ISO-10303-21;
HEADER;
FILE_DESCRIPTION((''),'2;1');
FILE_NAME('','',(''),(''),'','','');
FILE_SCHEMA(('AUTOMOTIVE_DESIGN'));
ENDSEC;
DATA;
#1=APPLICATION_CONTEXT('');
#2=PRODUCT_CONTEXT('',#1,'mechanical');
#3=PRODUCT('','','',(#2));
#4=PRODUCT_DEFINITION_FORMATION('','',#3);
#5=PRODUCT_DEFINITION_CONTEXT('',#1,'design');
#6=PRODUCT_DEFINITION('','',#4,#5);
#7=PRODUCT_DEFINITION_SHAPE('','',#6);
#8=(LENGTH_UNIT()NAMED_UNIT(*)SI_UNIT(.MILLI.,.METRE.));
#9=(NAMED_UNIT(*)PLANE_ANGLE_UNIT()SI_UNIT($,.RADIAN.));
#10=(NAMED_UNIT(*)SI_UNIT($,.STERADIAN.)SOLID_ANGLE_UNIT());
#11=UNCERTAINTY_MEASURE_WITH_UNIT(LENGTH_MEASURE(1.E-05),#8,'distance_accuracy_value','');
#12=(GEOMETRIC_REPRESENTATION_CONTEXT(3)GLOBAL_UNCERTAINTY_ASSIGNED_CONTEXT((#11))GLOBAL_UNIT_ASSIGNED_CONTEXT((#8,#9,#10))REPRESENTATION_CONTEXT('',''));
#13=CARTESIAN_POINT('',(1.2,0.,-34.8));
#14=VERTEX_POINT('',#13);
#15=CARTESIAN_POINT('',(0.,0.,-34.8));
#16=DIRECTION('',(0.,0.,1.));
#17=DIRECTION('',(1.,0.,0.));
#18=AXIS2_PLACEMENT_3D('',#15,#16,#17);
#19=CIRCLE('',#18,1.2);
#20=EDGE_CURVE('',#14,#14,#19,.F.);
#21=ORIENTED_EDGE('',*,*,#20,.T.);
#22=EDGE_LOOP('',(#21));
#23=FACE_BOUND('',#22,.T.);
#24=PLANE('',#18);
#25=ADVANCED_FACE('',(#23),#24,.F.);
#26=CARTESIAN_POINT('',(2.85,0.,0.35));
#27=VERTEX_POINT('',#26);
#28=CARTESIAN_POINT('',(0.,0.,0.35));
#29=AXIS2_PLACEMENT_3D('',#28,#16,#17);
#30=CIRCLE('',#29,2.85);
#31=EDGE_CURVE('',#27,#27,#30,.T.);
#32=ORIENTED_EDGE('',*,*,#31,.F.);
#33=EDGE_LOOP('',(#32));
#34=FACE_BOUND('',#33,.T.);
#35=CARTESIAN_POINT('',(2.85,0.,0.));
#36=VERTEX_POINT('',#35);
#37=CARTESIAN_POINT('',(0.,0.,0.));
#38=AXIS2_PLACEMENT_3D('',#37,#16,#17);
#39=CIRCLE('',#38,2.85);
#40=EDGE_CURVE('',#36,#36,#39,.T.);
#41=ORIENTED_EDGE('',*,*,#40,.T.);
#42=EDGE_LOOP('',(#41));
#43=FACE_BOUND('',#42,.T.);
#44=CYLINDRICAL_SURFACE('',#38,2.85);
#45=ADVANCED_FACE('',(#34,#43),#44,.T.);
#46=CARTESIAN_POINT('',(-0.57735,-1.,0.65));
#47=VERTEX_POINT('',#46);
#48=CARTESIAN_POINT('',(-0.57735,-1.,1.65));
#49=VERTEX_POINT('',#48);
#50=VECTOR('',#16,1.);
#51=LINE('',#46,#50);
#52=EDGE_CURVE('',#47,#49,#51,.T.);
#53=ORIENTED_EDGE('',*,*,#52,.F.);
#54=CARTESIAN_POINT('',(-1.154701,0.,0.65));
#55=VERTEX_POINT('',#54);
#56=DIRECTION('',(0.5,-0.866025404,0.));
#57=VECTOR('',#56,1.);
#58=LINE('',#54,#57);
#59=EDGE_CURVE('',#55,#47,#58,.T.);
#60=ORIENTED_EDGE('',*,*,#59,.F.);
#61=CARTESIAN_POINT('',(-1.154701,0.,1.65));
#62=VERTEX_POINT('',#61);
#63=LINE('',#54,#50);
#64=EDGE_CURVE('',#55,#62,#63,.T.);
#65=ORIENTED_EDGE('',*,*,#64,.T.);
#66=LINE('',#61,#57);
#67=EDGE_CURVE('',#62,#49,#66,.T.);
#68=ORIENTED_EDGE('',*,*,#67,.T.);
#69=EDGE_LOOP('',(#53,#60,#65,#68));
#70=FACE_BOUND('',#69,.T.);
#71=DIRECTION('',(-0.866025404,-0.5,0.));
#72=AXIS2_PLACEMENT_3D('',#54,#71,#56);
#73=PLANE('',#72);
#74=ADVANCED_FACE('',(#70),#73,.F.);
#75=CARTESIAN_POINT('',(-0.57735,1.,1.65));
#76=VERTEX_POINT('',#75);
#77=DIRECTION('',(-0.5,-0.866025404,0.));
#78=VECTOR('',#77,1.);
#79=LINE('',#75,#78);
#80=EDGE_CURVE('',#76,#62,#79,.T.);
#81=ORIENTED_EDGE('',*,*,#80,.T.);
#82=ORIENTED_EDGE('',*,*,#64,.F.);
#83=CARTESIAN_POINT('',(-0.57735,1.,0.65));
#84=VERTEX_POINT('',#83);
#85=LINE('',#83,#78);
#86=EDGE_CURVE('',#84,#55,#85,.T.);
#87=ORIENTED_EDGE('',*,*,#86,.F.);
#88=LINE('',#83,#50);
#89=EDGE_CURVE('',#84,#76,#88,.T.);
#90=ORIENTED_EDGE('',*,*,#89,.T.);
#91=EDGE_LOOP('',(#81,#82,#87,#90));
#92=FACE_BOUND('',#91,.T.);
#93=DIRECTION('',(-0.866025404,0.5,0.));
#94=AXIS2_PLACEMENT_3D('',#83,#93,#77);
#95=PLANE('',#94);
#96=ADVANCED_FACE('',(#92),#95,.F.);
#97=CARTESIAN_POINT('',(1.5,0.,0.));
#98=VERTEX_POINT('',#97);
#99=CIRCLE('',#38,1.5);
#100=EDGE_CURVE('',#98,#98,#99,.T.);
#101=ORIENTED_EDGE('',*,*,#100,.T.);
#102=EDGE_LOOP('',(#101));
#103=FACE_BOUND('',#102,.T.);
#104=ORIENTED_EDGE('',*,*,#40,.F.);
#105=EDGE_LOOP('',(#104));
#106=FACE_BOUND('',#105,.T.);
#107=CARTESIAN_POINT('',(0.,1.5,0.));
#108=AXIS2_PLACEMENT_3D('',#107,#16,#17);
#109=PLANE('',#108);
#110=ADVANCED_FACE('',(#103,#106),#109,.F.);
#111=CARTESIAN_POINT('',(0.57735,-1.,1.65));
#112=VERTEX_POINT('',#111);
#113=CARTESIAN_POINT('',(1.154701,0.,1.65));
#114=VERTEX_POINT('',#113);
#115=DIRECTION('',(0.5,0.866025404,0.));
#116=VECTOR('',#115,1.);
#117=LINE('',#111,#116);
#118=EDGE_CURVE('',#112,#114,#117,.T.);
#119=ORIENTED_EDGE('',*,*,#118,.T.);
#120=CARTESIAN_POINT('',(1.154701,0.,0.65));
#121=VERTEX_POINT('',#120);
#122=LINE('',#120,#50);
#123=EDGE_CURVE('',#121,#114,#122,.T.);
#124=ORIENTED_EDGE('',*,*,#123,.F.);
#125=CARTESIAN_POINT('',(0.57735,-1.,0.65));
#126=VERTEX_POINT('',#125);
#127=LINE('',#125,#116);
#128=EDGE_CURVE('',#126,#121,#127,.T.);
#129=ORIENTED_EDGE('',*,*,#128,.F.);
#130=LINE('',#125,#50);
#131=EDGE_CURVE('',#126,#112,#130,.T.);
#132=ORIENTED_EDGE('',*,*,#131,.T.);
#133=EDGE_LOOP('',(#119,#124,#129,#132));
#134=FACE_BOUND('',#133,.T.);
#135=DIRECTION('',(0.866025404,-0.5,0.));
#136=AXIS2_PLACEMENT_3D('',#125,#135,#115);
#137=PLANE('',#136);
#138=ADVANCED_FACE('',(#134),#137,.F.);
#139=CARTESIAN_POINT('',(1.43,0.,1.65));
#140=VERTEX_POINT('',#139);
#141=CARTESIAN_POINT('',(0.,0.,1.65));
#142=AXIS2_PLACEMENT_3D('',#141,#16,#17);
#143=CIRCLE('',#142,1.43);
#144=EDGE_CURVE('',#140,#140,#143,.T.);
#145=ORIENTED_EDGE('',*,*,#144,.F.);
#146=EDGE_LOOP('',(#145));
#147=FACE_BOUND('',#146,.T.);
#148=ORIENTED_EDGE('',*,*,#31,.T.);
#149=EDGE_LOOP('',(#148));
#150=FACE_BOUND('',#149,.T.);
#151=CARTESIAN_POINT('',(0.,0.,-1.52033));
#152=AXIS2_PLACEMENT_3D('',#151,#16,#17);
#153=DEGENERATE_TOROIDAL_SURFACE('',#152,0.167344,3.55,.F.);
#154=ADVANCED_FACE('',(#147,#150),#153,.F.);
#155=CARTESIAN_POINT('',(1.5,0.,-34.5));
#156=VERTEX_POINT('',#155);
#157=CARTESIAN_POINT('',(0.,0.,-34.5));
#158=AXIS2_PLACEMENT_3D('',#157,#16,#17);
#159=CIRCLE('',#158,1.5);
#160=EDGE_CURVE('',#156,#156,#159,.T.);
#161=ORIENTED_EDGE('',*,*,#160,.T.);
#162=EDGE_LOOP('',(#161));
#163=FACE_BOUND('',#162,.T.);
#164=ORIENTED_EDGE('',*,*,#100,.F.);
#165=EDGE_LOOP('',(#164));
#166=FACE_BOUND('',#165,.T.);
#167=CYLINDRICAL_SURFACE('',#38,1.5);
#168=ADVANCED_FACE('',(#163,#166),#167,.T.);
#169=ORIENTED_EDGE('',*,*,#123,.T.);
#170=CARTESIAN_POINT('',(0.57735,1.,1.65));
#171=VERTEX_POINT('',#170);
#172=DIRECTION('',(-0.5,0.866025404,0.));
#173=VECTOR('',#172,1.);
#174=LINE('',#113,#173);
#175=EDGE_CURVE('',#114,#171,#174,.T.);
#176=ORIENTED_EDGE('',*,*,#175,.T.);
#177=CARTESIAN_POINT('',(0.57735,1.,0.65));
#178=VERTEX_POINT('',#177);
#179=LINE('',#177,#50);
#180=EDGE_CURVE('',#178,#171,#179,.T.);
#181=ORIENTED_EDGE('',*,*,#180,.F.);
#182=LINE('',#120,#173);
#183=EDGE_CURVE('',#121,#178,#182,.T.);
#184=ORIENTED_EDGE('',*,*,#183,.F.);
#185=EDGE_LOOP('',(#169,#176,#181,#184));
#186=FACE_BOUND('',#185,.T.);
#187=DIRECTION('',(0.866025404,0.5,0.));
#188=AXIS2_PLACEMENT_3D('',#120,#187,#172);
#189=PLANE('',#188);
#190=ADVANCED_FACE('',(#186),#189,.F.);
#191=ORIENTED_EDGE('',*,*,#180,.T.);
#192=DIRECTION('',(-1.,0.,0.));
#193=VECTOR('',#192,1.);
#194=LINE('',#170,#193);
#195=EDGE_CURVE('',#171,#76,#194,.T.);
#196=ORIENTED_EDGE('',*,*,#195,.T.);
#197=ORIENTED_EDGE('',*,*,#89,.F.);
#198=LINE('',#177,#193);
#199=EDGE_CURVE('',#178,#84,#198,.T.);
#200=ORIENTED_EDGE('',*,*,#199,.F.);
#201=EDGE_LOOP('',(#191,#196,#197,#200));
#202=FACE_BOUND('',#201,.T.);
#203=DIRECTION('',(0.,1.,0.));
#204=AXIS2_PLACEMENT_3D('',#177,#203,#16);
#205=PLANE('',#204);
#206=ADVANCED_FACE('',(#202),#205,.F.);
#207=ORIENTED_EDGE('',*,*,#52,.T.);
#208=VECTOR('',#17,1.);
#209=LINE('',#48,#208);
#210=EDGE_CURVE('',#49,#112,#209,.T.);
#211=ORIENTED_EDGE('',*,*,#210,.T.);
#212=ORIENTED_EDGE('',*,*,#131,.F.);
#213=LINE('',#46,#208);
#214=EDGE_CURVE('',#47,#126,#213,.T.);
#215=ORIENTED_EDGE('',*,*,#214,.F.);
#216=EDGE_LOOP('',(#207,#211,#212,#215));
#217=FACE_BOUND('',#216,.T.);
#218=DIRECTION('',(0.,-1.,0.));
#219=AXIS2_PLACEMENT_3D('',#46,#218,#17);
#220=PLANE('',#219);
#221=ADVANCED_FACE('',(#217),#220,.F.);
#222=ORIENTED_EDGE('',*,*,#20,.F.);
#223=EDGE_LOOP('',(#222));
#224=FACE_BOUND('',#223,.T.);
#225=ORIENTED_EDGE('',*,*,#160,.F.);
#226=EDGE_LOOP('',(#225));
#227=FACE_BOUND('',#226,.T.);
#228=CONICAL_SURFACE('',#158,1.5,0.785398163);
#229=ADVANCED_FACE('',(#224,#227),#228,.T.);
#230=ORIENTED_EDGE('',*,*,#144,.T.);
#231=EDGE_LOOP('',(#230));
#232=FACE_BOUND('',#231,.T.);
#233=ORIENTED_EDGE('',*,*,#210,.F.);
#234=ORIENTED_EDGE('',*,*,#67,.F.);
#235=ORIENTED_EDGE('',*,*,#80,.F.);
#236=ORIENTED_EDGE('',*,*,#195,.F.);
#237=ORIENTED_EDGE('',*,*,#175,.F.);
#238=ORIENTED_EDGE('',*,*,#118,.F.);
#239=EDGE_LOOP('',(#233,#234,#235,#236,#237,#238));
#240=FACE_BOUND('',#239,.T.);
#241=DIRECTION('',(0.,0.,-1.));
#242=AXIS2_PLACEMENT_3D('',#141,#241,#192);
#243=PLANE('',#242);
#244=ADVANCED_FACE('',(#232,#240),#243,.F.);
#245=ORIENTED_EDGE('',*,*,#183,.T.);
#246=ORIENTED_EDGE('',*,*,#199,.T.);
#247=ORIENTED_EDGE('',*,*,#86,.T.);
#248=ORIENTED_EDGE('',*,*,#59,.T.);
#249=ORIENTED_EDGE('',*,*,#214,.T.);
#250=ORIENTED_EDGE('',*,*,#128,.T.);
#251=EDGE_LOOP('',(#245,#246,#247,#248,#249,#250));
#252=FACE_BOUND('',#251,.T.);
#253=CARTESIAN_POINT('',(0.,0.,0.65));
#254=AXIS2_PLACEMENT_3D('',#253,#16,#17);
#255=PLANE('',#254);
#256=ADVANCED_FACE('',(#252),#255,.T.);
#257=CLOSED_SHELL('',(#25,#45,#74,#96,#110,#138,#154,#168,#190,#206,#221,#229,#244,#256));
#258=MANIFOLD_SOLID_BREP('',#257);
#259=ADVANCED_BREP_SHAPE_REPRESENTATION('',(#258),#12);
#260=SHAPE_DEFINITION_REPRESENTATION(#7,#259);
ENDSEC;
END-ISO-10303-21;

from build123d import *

# Parameters (mm, degrees)
CUT_EXTRUDE_1_DEPTH = 1
CHAMFER_2_SIZE      = 0.3


with BuildPart() as part:
    # 草图1 → 旋转1 (revolve)
    with BuildSketch(Plane(origin=(0, 0, 0), x_dir=(0, 0, -1), z_dir=(1, 0, 0)), mode=Mode.PRIVATE) as revolve_1_sk:
        with BuildLine():
            Line((0, 1.5), (0, 2.85))
            Line((0, 2.85), (-0.35, 2.85))
            ThreePointArc((-0.35, 2.85), (-1.098097646, 2.229807704), (-1.65, 1.43))
            Line((-1.65, 1.43), (-1.65, 0))
            Line((-1.65, 0), (0, 0))
            Line((0, 0), (34.8, 0))
            Line((34.8, 0), (34.8, 1.5))
            Line((34.8, 1.5), (0, 1.5))
        make_face()
    revolve(revolve_1_sk.sketch.rotate(Axis((0, 0, 0), (0, 0, -1)), 90), axis=Axis((0, 0, 0), (0, 0, -1)))

    # 草图2 → 切除-拉伸1 (cut)
    with BuildSketch(Plane.XY.offset(1.65)):
        Polygon((-0.577350269, 1), (-1.154700538, 0), (-0.577350269, -1), (0.577350269, -1), (1.154700538, 0), (0.577350269, 1), align=None)
    extrude(amount=-CUT_EXTRUDE_1_DEPTH, mode=Mode.SUBTRACT)

    # 倒角2
    chamfer_2_edges = [part.edges().sort_by_distance(p)[0] for p in [
        (-1.5, 0, -34.8),
    ]]
    chamfer(chamfer_2_edges, length=CHAMFER_2_SIZE)


solid = part.part
